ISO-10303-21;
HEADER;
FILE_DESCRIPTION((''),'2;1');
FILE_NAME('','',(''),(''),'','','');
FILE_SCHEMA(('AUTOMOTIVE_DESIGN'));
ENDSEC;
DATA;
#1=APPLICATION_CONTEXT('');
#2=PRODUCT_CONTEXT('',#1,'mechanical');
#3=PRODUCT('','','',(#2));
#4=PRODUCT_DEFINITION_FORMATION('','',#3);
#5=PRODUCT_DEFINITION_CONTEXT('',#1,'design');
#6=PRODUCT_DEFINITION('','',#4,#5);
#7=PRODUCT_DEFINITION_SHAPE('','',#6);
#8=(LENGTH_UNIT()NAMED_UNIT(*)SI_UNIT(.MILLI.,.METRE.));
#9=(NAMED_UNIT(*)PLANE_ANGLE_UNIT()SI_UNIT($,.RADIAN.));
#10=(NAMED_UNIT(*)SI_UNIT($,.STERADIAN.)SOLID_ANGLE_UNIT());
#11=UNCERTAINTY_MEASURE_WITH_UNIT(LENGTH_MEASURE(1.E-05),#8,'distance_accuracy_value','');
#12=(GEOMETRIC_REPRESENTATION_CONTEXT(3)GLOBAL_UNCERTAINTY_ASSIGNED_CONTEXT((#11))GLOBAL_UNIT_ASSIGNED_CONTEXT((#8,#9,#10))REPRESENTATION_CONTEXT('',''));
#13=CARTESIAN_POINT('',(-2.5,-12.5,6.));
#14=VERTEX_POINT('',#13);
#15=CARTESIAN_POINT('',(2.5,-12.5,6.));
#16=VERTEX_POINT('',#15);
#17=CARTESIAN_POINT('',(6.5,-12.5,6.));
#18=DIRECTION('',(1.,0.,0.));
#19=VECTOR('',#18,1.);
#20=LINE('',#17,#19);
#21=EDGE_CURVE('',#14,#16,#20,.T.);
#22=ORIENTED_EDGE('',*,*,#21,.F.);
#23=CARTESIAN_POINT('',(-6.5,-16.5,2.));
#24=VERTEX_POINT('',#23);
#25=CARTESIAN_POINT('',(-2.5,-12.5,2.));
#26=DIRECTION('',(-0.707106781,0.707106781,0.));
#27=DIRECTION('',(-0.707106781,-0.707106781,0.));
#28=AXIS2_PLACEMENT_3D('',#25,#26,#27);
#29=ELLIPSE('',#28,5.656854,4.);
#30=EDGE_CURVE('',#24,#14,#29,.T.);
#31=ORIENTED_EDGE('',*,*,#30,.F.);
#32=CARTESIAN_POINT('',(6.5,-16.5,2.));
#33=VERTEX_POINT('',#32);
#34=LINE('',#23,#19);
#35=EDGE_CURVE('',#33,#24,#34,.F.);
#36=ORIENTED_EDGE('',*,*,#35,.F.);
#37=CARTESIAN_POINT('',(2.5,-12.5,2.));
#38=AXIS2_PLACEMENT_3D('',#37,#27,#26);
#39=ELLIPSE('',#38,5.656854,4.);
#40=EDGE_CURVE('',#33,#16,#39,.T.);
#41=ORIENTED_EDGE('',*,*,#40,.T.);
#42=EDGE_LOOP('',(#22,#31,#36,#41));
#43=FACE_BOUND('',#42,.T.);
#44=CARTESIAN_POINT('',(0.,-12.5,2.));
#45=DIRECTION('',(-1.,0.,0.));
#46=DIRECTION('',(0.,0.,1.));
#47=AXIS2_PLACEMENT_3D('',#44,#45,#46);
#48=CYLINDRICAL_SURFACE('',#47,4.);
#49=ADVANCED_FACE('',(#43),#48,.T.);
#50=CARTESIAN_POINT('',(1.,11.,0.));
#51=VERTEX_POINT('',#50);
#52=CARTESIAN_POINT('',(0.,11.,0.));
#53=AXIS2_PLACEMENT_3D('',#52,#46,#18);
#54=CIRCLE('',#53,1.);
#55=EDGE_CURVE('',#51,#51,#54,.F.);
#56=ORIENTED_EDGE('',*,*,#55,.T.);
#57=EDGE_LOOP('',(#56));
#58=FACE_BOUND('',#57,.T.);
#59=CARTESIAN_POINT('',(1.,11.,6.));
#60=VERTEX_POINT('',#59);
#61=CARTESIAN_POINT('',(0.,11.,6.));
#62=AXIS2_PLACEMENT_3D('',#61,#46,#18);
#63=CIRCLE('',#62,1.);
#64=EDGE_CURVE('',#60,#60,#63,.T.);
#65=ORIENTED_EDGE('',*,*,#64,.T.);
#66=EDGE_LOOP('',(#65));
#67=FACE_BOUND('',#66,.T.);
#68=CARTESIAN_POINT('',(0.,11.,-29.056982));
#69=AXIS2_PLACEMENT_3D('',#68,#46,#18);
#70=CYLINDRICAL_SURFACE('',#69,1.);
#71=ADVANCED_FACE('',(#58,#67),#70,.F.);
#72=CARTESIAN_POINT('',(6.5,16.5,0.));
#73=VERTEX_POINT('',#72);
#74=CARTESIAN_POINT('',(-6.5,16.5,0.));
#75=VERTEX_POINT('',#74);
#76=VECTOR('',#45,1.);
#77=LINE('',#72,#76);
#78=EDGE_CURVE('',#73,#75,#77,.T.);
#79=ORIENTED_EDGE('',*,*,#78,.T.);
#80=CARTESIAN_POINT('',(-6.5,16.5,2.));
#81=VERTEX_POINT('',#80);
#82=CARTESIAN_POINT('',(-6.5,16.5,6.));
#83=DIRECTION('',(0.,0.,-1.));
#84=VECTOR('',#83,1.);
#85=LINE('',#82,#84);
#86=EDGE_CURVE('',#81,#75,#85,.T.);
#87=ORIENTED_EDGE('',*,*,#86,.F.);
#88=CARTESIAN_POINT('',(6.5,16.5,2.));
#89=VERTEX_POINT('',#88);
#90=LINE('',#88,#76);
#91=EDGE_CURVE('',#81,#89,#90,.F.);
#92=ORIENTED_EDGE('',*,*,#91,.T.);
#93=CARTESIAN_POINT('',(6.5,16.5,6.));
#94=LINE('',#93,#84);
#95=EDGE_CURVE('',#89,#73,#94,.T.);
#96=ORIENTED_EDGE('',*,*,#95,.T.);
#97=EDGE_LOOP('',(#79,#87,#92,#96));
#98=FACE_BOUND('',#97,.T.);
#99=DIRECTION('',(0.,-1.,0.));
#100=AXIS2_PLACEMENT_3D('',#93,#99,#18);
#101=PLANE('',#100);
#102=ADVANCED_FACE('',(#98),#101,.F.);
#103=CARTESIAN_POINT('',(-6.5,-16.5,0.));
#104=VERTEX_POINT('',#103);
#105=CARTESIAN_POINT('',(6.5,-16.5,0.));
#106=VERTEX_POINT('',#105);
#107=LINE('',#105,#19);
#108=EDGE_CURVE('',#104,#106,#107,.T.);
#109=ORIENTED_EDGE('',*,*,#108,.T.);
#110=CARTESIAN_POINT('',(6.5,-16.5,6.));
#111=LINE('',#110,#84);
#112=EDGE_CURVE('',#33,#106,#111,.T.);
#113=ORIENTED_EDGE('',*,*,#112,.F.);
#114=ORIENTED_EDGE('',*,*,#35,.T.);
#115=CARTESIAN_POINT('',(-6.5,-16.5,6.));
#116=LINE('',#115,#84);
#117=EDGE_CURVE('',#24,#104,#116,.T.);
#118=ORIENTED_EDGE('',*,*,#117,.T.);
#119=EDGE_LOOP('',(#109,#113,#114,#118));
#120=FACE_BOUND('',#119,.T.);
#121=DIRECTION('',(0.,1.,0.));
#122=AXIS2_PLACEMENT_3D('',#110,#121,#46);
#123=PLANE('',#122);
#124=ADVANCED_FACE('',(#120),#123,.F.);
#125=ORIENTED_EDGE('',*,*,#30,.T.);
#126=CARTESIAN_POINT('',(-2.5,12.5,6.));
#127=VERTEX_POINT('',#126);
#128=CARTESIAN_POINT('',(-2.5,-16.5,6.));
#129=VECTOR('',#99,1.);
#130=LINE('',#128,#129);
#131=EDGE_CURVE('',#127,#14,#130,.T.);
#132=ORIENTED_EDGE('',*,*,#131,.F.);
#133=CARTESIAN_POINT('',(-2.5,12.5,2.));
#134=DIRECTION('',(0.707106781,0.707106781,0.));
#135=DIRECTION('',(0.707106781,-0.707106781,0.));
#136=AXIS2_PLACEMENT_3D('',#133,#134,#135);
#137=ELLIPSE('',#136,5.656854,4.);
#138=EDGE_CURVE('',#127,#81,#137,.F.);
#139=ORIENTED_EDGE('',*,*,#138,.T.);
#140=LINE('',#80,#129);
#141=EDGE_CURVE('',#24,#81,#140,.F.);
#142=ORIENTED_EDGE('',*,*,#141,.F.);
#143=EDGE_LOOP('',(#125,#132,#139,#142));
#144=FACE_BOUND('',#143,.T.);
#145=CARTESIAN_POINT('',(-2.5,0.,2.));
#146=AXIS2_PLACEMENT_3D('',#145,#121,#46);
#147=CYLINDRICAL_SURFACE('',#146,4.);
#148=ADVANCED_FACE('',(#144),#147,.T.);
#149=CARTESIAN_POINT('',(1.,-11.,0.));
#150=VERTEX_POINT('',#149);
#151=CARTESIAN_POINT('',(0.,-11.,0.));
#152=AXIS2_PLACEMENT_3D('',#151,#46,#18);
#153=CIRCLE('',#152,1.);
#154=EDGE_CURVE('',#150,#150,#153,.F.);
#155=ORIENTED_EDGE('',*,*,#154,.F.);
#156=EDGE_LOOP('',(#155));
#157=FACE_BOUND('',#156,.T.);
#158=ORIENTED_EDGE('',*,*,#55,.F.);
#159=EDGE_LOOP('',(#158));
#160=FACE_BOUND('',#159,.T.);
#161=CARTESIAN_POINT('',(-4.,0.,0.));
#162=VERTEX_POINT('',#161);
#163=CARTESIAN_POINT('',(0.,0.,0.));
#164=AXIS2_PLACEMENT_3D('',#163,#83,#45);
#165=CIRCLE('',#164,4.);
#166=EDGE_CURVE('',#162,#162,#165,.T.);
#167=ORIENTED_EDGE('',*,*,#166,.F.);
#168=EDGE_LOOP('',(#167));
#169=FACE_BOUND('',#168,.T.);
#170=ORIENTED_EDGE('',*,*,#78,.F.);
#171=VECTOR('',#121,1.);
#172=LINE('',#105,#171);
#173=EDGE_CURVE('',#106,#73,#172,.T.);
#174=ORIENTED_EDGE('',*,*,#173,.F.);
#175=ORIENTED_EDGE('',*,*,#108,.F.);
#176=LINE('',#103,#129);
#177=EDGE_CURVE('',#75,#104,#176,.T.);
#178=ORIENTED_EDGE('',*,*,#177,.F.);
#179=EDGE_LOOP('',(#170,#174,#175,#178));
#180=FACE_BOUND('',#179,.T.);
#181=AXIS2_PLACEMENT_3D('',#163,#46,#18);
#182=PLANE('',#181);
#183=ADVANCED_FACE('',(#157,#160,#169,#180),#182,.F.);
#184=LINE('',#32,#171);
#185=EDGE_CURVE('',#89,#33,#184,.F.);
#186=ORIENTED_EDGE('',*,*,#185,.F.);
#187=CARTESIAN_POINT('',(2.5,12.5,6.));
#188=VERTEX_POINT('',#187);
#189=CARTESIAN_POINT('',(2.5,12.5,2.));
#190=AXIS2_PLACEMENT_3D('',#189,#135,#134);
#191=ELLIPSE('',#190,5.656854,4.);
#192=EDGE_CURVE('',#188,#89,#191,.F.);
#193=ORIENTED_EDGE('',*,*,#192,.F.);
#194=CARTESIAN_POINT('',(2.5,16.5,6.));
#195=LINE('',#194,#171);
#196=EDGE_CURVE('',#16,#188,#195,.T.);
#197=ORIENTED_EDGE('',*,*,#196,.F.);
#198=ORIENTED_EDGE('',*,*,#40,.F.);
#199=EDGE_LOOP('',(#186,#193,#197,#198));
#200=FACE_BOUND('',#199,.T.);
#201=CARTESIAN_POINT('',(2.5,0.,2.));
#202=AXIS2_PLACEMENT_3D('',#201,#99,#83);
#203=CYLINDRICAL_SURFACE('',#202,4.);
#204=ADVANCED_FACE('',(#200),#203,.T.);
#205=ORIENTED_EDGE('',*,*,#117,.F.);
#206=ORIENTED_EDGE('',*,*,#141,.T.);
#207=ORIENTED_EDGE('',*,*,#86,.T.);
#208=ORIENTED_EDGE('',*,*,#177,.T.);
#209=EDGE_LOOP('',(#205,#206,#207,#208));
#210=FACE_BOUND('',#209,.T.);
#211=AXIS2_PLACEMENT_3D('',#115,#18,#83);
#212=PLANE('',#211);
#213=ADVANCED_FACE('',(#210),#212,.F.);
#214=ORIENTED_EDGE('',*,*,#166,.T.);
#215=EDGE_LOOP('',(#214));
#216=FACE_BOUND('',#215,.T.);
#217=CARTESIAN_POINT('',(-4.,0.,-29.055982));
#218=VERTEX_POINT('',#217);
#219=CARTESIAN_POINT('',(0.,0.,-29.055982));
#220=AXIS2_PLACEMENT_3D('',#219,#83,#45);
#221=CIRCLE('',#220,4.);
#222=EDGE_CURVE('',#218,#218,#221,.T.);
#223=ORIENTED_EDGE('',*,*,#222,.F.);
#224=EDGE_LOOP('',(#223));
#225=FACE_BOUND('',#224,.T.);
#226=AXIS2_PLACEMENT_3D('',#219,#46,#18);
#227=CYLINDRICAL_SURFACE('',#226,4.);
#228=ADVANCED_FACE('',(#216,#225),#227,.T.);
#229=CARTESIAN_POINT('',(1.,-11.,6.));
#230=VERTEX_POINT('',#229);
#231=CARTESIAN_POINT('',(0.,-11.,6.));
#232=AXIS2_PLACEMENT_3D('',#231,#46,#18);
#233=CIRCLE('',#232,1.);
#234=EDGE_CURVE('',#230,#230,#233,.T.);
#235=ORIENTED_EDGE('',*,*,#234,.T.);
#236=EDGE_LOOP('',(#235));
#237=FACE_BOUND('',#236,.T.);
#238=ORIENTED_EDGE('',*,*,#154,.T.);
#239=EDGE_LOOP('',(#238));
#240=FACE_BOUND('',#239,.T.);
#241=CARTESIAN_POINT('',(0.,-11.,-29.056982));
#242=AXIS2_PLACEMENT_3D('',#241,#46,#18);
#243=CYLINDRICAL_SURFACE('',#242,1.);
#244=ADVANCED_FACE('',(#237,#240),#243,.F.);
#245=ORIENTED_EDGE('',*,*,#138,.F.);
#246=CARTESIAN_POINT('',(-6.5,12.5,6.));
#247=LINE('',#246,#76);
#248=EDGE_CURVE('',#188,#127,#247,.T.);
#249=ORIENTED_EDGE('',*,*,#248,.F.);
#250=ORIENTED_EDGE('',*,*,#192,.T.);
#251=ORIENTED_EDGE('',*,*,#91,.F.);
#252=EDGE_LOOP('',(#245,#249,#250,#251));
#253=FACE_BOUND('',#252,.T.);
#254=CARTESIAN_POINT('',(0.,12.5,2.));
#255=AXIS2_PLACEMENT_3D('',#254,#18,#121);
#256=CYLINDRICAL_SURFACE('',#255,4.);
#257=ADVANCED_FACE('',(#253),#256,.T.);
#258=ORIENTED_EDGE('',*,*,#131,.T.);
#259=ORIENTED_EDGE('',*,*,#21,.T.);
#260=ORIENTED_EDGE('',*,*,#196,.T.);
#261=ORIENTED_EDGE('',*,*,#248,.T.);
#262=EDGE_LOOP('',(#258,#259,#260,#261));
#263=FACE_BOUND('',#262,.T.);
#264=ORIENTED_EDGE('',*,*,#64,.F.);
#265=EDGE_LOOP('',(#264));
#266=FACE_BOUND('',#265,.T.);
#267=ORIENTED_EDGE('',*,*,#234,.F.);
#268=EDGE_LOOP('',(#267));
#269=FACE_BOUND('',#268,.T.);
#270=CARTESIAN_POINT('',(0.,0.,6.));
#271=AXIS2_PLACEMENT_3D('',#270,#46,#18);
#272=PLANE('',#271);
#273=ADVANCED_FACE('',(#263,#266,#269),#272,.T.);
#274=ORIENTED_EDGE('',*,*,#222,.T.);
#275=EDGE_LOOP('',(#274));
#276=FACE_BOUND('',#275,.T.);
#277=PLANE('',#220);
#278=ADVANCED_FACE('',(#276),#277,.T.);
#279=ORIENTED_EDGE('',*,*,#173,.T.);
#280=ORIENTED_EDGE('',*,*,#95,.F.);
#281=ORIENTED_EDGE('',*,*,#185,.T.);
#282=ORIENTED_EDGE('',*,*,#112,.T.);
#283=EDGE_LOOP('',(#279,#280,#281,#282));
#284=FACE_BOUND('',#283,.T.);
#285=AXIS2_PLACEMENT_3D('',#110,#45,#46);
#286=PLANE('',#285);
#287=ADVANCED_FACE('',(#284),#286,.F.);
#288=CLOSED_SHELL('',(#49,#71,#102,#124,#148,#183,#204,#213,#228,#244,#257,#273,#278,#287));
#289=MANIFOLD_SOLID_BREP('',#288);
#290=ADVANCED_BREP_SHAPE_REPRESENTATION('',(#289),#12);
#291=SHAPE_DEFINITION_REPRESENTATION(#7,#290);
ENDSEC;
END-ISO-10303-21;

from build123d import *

# Parameters (mm, degrees)
SKETCH1_W           = 13
SKETCH1_H           = 33
BOSS_EXTRUDE1_DEPTH = 6
SKETCH2_R           = 4
BOSS_EXTRUDE2_DEPTH = 29.05598176
CUT_EXTRUDE1_REACH  = 41.286
SKETCH3_R           = 1
FILLET1_R           = 4


with BuildPart() as part:
    # Sketch1 → Boss-Extrude1 (new body)
    with BuildSketch(Plane.XY):
        Rectangle(SKETCH1_W, SKETCH1_H)
    extrude(amount=BOSS_EXTRUDE1_DEPTH)

    # Sketch2 → Boss-Extrude2 (add)
    with BuildSketch(Plane(origin=(0, 0, 0), x_dir=(-1, 0, 0), z_dir=(0, 0, -1))):
        Circle(SKETCH2_R)
    extrude(amount=BOSS_EXTRUDE2_DEPTH)

    # Sketch3 → Cut-Extrude1 (cut, up to next)
    with BuildSketch(Plane.XY.offset(6), mode=Mode.PRIVATE) as cut_extrude1_sk1:
        with Locations((0, 11)):
            Circle(SKETCH3_R)
    cut_extrude1_tool1 = extrude(cut_extrude1_sk1.sketch, amount=-CUT_EXTRUDE1_REACH, mode=Mode.PRIVATE) & part.part
    # Sketch3 → Cut-Extrude1 (cut, up to next)
    with BuildSketch(Plane.XY.offset(6), mode=Mode.PRIVATE) as cut_extrude1_sk2:
        with Locations((0, -11)):
            Circle(SKETCH3_R)
    cut_extrude1_tool2 = extrude(cut_extrude1_sk2.sketch, amount=-CUT_EXTRUDE1_REACH, mode=Mode.PRIVATE) & part.part
    add(cut_extrude1_tool1.solids().sort_by_distance((0, 11, 6))[0], mode=Mode.SUBTRACT)
    add(cut_extrude1_tool2.solids().sort_by_distance((0, -11, 6))[0], mode=Mode.SUBTRACT)

    # Fillet1
    fillet1_edges = [part.edges().sort_by_distance(p)[0] for p in [
        (6.5, 0, 6),
        (0, 16.5, 6),
        (-6.5, 0, 6),
        (0, -16.5, 6),
    ]]
    fillet(fillet1_edges, radius=FILLET1_R)


solid = part.part
